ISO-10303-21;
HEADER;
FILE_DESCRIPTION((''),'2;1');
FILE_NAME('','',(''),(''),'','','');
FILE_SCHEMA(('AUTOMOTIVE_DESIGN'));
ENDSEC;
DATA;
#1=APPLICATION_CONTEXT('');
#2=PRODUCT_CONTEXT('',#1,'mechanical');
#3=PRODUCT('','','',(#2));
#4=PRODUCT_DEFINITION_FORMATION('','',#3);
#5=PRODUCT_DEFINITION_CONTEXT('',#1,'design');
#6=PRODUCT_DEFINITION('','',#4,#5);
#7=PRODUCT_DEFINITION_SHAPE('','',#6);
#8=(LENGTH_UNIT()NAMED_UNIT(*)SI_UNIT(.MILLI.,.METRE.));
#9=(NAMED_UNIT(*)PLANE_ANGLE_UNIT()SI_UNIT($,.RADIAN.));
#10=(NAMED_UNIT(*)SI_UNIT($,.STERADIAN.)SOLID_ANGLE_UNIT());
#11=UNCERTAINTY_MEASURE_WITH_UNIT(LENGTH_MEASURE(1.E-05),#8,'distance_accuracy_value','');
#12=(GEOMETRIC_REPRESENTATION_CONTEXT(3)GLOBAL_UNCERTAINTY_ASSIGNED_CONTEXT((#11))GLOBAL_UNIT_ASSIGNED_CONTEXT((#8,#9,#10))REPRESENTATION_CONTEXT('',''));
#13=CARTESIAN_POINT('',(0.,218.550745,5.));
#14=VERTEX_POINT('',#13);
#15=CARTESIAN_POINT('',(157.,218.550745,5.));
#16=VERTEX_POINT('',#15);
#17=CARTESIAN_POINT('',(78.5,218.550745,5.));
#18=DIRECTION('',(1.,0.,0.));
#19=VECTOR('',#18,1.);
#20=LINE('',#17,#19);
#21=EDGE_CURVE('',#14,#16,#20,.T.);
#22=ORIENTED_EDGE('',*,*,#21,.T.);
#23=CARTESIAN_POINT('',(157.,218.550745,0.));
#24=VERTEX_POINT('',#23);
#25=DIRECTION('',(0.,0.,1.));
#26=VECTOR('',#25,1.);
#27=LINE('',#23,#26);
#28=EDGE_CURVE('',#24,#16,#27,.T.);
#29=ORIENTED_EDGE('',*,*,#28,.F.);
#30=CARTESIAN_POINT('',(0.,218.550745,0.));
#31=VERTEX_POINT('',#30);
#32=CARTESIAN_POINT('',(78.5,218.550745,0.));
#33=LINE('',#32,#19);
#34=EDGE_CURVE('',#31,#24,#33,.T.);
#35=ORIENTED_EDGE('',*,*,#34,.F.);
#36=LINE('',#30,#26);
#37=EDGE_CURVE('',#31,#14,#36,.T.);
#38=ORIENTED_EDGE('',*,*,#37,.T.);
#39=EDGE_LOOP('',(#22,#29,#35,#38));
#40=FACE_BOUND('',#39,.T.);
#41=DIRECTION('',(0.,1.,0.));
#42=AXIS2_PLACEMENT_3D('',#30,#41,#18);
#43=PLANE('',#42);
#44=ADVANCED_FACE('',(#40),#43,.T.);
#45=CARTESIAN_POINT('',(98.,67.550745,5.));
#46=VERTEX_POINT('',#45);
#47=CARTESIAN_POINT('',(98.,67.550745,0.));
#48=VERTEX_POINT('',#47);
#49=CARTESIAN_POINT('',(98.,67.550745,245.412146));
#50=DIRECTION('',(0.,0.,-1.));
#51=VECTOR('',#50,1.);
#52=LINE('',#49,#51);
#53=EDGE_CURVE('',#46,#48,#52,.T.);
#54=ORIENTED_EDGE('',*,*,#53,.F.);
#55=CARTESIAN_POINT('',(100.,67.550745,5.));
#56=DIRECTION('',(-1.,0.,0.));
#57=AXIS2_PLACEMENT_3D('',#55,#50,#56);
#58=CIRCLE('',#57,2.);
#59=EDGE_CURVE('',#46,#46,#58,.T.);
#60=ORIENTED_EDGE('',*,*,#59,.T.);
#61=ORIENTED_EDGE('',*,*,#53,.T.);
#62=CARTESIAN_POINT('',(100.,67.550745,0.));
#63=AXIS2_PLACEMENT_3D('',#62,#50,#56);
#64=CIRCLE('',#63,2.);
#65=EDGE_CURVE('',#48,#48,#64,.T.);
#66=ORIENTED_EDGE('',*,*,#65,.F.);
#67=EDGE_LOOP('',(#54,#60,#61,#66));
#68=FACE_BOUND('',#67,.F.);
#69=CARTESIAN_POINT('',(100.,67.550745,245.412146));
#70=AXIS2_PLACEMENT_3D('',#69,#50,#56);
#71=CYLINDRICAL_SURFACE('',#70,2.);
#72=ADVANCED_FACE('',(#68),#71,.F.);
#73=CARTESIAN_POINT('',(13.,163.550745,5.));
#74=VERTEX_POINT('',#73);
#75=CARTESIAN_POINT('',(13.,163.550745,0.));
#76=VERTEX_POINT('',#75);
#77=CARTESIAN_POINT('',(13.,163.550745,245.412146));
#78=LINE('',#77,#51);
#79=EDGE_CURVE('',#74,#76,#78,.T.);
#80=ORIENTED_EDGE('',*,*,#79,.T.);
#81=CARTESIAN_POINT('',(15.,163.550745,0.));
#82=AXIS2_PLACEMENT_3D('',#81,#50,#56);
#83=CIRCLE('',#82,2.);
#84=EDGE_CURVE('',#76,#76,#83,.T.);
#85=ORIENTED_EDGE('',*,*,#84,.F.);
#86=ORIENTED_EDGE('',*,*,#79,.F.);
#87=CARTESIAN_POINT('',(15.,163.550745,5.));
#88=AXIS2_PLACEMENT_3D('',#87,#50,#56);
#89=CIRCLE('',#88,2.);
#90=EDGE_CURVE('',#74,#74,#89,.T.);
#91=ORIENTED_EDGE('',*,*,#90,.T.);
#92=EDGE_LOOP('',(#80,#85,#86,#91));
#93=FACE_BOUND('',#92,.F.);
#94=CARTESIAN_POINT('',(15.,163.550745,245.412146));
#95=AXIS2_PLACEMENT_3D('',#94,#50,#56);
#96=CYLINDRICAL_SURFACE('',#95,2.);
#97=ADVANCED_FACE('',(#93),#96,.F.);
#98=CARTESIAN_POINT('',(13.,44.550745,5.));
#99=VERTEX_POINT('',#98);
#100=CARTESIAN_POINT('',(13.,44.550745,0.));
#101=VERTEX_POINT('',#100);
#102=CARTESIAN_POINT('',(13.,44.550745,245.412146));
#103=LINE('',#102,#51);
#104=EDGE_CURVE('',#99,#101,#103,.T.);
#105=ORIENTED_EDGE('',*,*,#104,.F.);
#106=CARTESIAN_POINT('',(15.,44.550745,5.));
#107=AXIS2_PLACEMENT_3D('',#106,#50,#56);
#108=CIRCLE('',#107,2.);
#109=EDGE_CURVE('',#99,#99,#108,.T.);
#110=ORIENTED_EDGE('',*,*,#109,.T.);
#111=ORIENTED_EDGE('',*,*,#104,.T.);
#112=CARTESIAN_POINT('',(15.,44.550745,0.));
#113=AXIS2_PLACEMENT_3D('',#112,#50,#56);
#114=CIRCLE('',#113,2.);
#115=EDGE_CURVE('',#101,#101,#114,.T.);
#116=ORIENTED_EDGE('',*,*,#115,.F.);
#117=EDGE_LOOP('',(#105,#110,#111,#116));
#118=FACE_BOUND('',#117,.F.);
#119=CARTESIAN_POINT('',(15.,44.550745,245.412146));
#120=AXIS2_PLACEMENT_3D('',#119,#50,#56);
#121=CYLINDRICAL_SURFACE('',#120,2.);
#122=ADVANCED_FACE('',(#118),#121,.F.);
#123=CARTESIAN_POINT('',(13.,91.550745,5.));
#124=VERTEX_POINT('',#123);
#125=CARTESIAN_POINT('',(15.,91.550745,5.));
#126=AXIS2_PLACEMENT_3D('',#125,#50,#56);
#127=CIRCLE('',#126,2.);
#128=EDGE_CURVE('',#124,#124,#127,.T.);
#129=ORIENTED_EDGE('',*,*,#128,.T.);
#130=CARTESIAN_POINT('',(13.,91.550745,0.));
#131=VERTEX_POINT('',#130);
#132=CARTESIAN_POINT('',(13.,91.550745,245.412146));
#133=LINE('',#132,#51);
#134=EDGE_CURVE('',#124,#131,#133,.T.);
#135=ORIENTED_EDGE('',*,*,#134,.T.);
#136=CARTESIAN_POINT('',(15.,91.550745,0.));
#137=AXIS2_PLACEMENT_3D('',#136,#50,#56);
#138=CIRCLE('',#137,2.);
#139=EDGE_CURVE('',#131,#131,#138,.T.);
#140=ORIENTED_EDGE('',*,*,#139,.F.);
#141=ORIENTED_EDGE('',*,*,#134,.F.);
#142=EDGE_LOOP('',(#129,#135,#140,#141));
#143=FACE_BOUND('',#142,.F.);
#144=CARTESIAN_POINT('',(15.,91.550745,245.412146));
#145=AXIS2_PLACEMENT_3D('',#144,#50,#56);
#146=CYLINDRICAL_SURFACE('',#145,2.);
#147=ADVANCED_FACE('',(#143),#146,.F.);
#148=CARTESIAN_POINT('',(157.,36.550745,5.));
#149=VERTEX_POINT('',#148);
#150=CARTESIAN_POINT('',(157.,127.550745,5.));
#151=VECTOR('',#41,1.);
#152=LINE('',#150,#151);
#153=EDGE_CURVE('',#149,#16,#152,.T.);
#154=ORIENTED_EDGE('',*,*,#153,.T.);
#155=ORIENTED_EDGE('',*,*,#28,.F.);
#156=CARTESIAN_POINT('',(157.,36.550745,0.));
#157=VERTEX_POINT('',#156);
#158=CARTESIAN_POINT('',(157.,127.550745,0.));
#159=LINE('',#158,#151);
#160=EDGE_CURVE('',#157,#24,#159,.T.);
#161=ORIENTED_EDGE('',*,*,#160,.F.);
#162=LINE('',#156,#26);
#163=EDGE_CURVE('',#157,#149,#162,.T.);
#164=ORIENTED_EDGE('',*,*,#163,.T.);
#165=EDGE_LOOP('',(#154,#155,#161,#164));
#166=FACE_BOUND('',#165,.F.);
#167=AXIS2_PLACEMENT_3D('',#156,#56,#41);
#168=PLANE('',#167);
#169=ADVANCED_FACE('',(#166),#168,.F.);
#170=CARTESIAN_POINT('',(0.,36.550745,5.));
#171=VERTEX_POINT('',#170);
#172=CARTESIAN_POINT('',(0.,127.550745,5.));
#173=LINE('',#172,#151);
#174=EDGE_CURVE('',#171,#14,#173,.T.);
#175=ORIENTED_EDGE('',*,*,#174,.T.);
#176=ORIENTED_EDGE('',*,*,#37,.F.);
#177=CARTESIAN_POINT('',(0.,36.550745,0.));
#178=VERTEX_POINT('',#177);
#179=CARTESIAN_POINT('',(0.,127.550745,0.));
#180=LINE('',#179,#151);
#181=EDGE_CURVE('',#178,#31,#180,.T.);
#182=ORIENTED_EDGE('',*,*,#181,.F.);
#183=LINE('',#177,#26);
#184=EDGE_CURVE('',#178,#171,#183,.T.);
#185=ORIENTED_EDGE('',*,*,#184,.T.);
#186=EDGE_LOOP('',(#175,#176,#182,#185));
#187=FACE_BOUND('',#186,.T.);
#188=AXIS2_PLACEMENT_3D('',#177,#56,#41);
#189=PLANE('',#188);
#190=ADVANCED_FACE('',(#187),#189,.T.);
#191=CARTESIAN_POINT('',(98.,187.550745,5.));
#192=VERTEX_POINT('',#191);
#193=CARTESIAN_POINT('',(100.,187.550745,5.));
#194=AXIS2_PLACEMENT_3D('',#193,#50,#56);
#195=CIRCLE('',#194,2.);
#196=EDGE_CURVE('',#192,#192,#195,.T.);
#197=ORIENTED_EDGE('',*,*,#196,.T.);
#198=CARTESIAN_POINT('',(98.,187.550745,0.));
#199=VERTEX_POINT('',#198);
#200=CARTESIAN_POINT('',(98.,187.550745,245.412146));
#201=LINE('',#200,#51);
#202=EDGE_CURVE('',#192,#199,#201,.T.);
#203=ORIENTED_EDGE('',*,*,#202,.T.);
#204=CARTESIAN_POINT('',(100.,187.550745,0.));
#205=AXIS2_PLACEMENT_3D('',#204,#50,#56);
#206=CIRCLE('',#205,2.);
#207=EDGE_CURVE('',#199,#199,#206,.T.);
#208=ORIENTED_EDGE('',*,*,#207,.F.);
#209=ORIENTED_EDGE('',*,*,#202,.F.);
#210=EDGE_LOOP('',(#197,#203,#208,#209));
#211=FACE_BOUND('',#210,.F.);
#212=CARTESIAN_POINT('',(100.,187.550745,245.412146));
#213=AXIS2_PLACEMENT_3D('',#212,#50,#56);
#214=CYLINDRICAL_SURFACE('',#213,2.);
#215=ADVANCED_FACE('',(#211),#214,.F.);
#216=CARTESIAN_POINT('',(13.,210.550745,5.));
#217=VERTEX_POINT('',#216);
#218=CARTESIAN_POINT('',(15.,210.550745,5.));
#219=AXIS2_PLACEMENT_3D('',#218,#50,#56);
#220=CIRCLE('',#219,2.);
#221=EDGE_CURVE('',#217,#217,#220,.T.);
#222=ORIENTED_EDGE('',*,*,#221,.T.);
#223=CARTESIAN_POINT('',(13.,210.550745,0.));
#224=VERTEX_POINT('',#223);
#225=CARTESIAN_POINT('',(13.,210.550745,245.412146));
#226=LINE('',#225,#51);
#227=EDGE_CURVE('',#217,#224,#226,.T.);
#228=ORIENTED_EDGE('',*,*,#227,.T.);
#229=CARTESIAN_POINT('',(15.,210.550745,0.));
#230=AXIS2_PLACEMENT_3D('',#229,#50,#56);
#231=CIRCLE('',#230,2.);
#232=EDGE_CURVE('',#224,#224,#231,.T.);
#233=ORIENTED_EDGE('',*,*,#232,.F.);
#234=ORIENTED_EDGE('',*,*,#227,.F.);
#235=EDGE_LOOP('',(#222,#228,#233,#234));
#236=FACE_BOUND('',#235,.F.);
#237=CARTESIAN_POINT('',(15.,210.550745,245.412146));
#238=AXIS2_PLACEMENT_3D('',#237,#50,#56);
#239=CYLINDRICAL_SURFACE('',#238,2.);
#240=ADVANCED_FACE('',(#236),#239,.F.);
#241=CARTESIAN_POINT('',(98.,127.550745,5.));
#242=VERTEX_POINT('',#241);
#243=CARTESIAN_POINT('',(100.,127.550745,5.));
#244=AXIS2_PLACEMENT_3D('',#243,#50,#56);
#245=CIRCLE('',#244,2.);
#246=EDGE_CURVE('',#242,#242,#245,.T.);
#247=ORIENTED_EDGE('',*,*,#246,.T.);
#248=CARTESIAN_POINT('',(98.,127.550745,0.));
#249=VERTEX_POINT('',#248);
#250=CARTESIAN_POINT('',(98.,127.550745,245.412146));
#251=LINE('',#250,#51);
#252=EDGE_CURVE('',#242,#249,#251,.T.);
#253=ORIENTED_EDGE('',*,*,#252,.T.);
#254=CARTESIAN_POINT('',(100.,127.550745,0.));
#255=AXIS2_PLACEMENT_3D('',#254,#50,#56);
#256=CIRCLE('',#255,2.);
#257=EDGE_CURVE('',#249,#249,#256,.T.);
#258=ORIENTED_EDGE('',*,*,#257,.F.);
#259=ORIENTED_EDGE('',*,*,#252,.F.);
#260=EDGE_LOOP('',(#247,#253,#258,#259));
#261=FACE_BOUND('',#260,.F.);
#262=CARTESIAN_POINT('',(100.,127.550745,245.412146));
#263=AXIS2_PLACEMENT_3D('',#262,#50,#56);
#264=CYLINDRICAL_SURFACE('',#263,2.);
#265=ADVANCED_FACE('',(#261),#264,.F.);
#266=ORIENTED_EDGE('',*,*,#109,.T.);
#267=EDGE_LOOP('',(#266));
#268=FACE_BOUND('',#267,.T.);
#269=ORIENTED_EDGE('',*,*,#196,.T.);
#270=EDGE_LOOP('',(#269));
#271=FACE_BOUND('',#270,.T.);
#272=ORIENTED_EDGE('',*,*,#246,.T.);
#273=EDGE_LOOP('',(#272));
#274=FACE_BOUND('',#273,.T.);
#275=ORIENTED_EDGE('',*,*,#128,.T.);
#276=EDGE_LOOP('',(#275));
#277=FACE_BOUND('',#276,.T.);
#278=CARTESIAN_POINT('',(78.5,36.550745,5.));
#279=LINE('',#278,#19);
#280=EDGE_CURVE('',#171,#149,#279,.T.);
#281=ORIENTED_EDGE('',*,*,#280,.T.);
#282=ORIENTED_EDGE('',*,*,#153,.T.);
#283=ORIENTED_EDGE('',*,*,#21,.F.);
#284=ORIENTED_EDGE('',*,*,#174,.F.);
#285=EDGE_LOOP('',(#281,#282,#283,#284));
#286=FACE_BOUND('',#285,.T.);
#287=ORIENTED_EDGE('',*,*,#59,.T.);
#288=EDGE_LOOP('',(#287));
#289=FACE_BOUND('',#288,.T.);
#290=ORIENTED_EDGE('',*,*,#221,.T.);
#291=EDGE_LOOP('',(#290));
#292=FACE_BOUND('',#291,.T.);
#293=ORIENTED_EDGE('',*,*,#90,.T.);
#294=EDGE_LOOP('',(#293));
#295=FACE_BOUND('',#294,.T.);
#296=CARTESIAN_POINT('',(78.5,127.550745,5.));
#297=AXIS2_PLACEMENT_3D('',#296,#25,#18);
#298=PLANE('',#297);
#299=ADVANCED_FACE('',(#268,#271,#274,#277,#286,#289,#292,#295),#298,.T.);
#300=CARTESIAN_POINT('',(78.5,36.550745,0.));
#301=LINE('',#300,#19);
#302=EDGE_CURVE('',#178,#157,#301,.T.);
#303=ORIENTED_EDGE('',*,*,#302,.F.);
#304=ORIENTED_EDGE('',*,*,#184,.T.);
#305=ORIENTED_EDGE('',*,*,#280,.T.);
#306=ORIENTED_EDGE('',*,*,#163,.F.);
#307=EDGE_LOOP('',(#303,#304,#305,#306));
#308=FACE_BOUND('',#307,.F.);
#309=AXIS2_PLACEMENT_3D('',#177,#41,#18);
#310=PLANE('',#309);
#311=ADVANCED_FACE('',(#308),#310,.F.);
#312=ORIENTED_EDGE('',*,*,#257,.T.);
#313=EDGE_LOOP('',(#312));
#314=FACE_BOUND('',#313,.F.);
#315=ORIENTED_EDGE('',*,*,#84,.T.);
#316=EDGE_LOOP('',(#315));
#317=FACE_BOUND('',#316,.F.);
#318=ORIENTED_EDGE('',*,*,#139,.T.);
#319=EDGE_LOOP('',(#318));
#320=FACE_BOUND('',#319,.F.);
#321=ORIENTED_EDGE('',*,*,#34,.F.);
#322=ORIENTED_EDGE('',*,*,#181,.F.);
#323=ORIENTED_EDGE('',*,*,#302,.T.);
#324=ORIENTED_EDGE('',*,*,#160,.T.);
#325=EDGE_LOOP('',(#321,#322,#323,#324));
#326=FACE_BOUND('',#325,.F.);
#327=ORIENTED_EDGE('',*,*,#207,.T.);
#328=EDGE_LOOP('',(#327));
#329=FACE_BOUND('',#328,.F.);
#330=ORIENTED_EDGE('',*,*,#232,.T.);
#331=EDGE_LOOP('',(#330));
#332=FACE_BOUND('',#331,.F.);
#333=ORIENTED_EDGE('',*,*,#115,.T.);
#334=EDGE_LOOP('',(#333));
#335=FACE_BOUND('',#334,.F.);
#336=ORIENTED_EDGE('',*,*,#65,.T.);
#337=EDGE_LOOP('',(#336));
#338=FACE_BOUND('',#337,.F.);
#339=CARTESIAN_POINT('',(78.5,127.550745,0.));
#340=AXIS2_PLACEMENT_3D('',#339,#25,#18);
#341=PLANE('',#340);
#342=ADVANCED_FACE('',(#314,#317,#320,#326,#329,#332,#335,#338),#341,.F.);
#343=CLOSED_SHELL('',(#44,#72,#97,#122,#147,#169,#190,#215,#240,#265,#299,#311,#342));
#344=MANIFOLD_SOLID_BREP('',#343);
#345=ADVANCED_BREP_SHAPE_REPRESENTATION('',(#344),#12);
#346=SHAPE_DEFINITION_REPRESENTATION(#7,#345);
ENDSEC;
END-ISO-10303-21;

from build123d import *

# Parameters (mm, degrees)
F1_W     = 157
F1_H     = 182
F0_DEPTH = 5
F3_D     = 4


with BuildPart() as f0:
    # F1 (on Top) → F0 (new body)
    with BuildSketch(Plane.XY):
        with Locations((78.5, 127.550745)):
            Rectangle(F1_W, F1_H)
    extrude(amount=F0_DEPTH)

    # F3 (through all)
    with Locations(Plane.XY.offset(5)):
        with Locations((15, 210.550745), (15, 163.550745), (15, 91.550745), (15, 44.550745), (100, 67.550745), (100, 127.550745), (100, 127.550745), (100, 187.550745)):
            Hole(F3_D / 2)


solid = f0.part
